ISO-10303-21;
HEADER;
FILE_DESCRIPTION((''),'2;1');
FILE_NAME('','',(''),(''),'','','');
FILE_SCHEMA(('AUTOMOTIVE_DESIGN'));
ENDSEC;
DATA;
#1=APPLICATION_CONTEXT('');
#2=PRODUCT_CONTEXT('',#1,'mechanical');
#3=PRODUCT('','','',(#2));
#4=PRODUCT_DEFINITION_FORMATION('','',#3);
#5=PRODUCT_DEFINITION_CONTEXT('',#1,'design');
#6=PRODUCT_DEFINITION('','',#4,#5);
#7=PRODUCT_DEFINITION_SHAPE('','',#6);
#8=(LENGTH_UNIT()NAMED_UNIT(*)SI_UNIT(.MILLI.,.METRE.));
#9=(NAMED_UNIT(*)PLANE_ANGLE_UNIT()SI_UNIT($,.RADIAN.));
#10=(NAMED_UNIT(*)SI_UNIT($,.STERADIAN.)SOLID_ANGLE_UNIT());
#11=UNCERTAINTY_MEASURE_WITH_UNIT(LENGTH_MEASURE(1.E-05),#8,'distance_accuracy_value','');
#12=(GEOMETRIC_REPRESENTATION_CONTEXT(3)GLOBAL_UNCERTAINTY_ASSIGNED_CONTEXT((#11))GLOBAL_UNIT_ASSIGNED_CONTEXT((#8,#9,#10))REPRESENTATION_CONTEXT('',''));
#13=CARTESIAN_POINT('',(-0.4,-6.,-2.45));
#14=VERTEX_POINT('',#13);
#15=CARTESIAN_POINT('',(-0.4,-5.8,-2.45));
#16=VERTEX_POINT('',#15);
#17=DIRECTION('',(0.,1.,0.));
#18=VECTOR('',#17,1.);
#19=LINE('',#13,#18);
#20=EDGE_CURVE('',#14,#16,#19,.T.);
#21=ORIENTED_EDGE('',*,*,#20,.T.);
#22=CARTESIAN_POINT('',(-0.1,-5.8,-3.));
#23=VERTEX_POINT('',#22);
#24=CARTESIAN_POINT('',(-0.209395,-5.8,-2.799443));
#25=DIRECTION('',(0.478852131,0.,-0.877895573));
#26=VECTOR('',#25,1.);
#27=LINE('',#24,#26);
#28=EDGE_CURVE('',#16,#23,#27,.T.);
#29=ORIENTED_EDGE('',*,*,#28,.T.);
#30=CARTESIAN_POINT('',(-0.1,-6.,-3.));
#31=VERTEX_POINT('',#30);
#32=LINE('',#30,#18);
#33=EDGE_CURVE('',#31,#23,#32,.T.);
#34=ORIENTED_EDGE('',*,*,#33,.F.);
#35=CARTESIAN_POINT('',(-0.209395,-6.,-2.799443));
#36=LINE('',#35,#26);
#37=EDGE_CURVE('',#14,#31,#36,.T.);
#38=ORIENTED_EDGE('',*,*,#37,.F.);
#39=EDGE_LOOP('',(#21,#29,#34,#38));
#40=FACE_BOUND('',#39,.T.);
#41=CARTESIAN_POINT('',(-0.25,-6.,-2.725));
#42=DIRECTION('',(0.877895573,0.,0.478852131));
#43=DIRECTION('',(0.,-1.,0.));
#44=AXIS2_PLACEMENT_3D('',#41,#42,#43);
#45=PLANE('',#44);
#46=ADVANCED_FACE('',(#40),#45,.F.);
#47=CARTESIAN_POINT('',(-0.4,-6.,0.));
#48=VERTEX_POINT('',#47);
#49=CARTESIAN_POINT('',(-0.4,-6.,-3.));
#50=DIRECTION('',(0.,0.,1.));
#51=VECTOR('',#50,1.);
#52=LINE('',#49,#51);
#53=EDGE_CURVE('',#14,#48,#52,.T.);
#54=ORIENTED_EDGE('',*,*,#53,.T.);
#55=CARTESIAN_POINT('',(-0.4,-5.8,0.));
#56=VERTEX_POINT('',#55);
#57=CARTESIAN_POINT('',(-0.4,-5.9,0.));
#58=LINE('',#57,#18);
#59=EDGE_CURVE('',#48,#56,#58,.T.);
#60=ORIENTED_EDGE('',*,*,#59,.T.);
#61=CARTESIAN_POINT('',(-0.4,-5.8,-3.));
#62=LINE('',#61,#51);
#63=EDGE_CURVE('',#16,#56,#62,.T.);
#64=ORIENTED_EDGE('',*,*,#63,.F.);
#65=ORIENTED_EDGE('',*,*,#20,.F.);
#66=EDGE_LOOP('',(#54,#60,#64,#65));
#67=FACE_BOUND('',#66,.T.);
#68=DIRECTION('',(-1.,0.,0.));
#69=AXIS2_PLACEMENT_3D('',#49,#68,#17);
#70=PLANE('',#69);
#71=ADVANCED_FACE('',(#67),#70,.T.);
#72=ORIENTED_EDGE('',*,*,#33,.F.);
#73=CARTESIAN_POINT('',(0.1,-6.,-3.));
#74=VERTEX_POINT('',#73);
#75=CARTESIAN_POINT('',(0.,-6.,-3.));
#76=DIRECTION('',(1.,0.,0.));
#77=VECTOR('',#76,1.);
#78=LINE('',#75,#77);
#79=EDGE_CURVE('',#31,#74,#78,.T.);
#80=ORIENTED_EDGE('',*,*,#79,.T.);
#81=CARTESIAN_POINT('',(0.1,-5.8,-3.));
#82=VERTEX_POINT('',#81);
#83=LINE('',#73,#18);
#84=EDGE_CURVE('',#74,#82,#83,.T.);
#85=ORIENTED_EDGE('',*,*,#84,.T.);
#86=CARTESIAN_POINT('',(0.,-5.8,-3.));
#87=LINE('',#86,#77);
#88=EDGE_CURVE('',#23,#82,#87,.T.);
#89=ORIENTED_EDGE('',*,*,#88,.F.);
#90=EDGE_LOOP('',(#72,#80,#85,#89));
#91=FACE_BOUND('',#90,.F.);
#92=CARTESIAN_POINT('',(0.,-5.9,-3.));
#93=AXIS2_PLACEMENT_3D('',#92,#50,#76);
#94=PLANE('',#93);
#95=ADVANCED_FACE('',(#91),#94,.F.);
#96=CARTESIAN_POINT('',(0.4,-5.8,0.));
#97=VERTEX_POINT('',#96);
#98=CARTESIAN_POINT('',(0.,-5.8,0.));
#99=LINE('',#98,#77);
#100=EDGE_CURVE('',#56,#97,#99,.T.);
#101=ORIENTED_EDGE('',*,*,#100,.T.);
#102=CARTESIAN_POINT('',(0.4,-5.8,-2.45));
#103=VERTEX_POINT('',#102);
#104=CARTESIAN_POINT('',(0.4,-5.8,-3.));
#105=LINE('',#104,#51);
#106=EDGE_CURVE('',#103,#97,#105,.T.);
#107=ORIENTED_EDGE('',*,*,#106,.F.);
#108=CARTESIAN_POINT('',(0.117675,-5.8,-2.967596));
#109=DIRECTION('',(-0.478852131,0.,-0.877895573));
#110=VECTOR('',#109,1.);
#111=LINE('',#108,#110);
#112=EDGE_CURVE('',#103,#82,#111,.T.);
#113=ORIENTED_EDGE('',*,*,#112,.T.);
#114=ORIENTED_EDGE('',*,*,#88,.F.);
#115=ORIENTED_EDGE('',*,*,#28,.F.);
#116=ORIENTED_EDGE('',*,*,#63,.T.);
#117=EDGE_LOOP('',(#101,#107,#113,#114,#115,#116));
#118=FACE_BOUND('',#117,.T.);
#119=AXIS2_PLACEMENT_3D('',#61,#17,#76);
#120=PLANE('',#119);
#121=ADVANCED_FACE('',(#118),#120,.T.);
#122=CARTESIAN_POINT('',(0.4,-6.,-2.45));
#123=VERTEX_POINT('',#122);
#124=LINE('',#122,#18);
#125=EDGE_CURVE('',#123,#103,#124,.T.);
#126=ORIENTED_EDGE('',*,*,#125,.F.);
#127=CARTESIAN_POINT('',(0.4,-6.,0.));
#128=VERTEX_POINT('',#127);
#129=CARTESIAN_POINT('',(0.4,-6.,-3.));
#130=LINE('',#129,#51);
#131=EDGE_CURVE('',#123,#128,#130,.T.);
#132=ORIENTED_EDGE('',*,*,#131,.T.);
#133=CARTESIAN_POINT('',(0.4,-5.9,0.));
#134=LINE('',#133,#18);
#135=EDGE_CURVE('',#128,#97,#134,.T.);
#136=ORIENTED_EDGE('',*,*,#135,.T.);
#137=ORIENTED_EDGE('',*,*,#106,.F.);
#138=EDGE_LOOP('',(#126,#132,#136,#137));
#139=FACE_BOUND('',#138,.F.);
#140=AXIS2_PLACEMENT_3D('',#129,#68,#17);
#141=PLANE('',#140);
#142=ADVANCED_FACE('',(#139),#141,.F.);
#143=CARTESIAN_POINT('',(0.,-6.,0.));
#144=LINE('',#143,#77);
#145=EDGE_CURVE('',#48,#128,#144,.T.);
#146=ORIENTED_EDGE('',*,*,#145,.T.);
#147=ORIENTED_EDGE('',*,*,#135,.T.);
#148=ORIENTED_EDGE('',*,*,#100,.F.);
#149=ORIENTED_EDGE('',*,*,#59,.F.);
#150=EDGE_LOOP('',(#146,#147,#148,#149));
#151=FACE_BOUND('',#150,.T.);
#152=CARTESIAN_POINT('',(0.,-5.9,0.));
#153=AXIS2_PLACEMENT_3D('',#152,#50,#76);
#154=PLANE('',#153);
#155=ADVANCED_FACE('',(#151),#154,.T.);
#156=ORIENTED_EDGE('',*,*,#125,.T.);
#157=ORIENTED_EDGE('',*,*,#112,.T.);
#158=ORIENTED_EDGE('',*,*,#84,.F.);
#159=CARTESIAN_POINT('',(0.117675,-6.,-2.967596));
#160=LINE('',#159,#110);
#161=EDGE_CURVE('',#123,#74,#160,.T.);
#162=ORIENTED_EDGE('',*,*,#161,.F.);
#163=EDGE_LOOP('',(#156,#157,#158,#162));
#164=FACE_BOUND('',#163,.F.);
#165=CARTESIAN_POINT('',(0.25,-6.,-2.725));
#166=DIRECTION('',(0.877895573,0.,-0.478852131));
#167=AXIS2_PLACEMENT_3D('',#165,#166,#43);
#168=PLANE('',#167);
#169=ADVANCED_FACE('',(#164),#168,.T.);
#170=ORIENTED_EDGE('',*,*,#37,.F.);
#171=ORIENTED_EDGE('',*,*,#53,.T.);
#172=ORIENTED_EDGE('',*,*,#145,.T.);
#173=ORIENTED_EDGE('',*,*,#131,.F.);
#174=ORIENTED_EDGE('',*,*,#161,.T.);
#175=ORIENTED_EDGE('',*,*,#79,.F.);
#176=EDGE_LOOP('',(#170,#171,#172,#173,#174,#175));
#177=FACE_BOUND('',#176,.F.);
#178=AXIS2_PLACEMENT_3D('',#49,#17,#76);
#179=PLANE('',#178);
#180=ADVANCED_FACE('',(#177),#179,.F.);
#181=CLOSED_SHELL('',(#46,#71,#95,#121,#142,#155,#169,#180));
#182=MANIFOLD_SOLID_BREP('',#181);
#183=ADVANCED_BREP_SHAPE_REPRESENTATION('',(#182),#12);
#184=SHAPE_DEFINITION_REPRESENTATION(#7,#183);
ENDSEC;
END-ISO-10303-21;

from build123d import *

# Parameters (mm, degrees)
BOX031_W           = 0.8
BOX031_H           = 0.2
BOX031_DEPTH       = 3
CHAMFER019_1_SIZE2 = 0.3
CHAMFER019_1_SIZE  = 0.55
CHAMFER019_2_SIZE2 = 0.3
CHAMFER019_2_SIZE  = 0.55


with BuildPart() as part:
    # Box031 → Box031 (new body)
    with BuildSketch(Plane(origin=(-0.4, -6, -3), x_dir=(1, 0, 0), z_dir=(0, 0, 1))):
        with Locations((0.4, 0.1)):
            Rectangle(BOX031_W, BOX031_H)
    extrude(amount=BOX031_DEPTH)

    # Chamfer019 1
    chamfer019_1_edges = [part.edges().sort_by_distance(p)[0] for p in [
        (0.4, -5.9, -3),
    ]]
    chamfer019_1_side = part.faces().sort_by_distance((0.4, -5.9, -1.5))[0]
    chamfer(chamfer019_1_edges, length=CHAMFER019_1_SIZE, length2=CHAMFER019_1_SIZE2, reference=chamfer019_1_side)

    # Chamfer019 2
    chamfer019_2_edges = [part.edges().sort_by_distance(p)[0] for p in [
        (-0.4, -5.9, -3),
    ]]
    chamfer019_2_side = part.faces().sort_by_distance((-0.4, -5.9, -1.5))[0]
    chamfer(chamfer019_2_edges, length=CHAMFER019_2_SIZE, length2=CHAMFER019_2_SIZE2, reference=chamfer019_2_side)


solid = part.part
